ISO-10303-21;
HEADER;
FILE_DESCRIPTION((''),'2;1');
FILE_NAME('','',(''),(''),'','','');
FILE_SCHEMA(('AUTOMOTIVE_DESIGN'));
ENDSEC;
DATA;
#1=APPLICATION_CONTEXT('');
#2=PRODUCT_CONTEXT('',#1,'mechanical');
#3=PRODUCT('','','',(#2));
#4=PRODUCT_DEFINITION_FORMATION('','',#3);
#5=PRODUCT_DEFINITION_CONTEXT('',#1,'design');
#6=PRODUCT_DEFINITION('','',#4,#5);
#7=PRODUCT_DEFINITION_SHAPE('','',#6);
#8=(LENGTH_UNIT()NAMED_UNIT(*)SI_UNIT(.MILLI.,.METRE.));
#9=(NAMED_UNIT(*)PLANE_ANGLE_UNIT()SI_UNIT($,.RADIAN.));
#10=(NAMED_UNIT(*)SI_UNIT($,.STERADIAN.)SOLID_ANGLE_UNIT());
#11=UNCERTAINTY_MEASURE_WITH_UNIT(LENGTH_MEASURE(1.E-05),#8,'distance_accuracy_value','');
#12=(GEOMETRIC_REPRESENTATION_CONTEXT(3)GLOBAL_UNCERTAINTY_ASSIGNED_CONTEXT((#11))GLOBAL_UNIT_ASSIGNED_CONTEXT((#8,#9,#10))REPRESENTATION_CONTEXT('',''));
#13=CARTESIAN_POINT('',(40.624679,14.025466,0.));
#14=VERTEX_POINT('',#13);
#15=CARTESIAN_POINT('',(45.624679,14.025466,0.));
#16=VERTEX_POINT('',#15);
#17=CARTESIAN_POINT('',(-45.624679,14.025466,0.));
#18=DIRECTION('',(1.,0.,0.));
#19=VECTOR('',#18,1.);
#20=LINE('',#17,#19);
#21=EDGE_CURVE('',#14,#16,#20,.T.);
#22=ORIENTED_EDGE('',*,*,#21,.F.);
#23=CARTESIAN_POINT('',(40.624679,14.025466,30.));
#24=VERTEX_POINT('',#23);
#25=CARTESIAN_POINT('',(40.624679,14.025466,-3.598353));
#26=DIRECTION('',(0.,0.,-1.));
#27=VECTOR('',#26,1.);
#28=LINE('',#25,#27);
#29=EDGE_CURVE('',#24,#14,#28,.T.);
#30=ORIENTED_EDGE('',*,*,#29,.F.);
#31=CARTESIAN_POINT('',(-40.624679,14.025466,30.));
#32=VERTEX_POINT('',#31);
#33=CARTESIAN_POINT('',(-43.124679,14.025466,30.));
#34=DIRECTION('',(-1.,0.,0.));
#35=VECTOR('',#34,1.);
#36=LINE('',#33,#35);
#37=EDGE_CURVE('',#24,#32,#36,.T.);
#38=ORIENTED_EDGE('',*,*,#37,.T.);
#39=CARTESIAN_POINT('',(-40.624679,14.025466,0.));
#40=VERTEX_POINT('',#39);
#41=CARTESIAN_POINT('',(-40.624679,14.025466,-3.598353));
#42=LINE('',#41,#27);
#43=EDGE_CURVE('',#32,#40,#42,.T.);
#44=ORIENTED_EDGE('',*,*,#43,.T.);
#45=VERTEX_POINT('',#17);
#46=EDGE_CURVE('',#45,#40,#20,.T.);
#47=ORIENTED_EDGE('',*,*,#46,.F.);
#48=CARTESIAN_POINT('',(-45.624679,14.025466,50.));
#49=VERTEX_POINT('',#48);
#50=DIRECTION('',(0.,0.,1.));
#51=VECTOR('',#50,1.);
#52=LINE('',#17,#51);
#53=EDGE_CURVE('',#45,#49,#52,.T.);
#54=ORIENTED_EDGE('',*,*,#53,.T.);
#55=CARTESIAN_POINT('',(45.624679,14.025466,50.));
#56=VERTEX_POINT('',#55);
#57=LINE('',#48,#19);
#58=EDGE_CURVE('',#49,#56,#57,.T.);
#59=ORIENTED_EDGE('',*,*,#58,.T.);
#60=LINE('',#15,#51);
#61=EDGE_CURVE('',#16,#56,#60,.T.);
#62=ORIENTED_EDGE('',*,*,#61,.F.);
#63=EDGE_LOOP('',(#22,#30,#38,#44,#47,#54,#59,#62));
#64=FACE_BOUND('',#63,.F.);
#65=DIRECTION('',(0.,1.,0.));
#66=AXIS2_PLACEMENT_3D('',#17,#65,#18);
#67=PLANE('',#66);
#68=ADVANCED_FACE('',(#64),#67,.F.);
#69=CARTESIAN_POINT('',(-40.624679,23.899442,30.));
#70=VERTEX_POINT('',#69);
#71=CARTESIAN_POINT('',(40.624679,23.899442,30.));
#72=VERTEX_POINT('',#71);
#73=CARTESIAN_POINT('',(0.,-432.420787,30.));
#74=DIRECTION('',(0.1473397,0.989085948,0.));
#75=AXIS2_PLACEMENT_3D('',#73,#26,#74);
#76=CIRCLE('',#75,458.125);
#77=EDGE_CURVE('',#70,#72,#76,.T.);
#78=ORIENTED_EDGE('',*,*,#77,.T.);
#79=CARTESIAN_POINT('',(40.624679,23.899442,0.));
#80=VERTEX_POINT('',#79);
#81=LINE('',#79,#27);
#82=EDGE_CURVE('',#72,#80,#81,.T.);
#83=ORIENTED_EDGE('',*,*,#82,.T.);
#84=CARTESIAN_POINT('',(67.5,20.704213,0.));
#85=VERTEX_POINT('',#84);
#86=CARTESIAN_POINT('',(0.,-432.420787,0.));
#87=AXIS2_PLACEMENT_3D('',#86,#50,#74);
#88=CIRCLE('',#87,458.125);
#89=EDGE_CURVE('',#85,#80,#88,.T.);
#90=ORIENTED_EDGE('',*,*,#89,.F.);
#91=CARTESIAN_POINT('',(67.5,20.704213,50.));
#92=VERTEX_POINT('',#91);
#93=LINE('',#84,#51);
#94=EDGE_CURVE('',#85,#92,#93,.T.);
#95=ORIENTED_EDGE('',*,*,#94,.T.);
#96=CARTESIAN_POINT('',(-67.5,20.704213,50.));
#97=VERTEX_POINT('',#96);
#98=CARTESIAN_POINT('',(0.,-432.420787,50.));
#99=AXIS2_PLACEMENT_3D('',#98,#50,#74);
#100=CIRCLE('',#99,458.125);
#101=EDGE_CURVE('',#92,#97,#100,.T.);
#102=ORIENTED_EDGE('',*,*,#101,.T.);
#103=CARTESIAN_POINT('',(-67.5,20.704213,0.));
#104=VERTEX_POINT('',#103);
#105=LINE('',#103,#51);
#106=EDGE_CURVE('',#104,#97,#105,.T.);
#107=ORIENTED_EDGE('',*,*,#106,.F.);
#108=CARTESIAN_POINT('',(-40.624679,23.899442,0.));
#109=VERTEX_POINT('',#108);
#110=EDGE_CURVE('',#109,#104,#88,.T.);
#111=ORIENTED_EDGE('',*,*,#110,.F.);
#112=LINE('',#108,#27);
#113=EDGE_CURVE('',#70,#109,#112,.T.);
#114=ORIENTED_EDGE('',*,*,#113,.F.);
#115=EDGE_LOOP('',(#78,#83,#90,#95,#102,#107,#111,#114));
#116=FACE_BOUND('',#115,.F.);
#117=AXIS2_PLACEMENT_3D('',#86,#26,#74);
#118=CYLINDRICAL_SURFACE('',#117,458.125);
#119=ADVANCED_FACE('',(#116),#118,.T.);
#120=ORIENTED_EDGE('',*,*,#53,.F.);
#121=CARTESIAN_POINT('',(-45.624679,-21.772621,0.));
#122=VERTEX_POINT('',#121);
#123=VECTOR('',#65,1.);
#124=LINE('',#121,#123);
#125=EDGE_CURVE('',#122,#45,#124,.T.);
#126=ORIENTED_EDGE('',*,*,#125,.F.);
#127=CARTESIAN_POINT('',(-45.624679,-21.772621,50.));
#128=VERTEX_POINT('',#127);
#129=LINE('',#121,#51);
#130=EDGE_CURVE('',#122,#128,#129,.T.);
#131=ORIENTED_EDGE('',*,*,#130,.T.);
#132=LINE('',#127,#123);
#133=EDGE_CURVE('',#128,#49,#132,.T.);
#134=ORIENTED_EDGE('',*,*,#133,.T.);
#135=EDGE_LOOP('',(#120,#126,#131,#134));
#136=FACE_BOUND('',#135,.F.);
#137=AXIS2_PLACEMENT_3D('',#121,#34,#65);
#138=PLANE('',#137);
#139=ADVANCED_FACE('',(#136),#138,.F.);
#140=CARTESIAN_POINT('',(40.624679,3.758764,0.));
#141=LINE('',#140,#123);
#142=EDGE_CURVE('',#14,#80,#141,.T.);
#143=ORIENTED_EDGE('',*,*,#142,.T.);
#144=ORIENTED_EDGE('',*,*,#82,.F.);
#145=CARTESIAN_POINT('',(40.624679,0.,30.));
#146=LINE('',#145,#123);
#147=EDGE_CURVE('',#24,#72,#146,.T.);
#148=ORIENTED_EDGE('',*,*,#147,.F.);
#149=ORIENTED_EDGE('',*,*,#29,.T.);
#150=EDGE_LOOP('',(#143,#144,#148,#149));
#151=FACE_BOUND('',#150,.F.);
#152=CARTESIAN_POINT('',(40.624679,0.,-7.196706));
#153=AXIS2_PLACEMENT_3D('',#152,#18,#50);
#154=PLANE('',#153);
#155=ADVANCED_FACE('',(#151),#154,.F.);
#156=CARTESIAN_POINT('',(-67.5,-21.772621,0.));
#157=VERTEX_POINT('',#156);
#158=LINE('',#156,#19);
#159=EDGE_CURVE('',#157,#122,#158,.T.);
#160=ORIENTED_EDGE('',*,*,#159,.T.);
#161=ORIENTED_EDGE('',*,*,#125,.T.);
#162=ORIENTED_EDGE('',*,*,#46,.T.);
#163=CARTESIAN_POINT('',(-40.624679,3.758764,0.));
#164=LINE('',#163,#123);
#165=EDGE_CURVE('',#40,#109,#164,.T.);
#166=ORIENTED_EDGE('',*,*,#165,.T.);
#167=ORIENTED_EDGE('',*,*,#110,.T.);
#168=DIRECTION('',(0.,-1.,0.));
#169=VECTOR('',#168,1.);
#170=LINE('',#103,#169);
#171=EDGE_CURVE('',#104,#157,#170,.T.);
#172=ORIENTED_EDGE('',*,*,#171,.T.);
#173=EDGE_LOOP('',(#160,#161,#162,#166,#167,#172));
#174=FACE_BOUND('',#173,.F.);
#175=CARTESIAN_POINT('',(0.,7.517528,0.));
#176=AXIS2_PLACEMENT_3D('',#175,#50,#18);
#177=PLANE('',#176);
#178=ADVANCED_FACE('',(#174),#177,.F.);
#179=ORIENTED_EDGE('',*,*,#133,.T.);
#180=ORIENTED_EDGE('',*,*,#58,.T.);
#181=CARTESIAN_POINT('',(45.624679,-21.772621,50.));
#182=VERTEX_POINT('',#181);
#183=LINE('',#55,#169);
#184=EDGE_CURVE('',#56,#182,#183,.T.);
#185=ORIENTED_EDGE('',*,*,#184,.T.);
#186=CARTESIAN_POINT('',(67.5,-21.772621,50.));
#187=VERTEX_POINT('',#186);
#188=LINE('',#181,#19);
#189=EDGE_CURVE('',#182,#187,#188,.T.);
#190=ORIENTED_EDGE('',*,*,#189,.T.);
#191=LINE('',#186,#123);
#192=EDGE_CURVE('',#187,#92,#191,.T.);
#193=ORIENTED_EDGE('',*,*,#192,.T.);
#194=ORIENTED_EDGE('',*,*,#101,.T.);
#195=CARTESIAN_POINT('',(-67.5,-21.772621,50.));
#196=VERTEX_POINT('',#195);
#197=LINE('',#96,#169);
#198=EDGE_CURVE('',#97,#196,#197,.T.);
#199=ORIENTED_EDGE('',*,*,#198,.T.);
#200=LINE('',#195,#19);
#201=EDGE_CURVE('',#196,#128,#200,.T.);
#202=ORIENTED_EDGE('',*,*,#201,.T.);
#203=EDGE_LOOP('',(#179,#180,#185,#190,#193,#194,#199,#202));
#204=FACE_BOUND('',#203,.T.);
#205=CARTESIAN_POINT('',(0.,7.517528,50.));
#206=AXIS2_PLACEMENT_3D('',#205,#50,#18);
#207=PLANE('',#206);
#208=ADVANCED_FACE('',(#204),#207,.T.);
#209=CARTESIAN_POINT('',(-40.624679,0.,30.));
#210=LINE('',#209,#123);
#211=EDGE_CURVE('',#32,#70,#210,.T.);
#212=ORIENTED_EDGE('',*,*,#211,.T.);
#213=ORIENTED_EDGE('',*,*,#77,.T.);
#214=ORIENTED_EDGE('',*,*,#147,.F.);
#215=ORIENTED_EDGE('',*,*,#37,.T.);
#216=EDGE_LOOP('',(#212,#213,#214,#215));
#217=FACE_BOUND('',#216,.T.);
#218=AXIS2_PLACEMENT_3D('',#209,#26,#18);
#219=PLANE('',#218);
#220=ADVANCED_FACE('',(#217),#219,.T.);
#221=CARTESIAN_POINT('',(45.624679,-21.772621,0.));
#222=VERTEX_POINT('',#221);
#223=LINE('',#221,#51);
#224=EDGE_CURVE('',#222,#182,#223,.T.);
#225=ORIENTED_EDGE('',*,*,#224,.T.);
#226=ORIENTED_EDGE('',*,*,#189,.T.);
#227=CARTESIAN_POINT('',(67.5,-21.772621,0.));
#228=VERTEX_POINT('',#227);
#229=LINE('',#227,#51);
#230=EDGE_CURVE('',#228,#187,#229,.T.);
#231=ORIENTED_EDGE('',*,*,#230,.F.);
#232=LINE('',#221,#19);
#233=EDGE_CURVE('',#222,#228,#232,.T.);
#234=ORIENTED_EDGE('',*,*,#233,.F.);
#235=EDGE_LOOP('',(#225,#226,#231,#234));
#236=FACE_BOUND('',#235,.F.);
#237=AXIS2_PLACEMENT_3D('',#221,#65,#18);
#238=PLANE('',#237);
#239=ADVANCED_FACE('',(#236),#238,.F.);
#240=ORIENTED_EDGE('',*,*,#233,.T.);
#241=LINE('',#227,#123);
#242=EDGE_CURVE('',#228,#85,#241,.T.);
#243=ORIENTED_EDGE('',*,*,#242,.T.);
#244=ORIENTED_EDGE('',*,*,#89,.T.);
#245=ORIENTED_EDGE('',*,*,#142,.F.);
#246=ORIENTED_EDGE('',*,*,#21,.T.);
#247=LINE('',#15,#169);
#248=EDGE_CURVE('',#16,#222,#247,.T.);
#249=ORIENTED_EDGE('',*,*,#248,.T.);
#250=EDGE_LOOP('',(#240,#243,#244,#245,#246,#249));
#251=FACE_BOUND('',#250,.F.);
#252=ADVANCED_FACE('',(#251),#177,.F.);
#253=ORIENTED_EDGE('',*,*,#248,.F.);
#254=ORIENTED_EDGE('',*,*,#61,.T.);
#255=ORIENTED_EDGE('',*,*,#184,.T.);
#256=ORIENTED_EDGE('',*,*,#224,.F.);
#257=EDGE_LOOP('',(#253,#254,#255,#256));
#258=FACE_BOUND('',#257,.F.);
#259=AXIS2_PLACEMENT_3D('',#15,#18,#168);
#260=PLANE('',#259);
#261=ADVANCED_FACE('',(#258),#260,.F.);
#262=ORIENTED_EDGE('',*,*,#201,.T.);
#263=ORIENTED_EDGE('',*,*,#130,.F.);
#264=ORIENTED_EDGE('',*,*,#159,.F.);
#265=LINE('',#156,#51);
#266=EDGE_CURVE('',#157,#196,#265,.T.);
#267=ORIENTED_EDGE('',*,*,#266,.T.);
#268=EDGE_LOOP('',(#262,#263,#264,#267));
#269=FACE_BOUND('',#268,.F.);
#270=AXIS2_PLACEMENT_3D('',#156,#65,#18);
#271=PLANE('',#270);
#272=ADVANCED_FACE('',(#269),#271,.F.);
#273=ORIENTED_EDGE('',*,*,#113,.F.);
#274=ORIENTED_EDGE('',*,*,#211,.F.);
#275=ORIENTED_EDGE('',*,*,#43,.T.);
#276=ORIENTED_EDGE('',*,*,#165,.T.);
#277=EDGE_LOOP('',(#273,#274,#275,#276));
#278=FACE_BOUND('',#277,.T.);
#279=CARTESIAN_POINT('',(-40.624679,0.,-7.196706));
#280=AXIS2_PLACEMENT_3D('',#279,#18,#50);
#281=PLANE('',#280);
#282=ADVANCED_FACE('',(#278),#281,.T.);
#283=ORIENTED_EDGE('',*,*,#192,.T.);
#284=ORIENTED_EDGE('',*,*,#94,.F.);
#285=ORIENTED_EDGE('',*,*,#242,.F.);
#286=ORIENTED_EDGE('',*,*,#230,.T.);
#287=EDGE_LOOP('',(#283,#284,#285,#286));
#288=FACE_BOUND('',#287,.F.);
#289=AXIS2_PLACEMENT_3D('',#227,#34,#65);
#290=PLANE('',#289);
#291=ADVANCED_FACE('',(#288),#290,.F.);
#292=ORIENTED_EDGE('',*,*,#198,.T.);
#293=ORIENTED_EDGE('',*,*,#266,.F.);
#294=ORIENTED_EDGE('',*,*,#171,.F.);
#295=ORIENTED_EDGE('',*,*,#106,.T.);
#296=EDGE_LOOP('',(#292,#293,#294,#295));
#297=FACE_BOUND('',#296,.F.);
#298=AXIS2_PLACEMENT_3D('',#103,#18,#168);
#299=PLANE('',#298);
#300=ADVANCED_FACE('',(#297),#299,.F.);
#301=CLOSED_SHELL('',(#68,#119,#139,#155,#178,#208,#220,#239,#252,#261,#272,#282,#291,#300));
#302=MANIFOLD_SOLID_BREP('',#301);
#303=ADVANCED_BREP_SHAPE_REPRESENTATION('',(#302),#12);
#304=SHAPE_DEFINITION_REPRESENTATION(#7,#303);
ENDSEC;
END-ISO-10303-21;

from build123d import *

# Parameters (mm, degrees)
F1_DEPTH = 50
F2_W     = 81.249358
F2_H     = 37.196705
F3_DEPTH = 30


with BuildPart() as f1:
    # F0 (on Top) → F1 (new body)
    with BuildSketch(Plane.XY):
        with BuildLine():
            ThreePointArc((67.5, 20.704213), (0, 25.704213), (-67.5, 20.704213))
            Line((-67.5, 20.704213), (-67.5, -21.772621))
            Line((-67.5, -21.772621), (-45.624679, -21.772621))
            Line((-45.624679, -21.772621), (-45.624679, 14.025466))
            Line((-45.624679, 14.025466), (0, 14.025466))
            Line((0, 14.025466), (45.624679, 14.025466))
            Line((45.624679, 14.025466), (45.624679, -21.772621))
            Line((45.624679, -21.772621), (67.5, -21.772621))
            Line((67.5, -21.772621), (67.5, 20.704213))
        make_face()
    extrude(amount=F1_DEPTH)

    # F2 (on Front) → F3 (cut)
    with BuildSketch(Plane.XZ):
        with Locations((0, 11.401647)):
            Rectangle(F2_W, F2_H)
    extrude(amount=-F3_DEPTH, mode=Mode.SUBTRACT)


solid = f1.part
